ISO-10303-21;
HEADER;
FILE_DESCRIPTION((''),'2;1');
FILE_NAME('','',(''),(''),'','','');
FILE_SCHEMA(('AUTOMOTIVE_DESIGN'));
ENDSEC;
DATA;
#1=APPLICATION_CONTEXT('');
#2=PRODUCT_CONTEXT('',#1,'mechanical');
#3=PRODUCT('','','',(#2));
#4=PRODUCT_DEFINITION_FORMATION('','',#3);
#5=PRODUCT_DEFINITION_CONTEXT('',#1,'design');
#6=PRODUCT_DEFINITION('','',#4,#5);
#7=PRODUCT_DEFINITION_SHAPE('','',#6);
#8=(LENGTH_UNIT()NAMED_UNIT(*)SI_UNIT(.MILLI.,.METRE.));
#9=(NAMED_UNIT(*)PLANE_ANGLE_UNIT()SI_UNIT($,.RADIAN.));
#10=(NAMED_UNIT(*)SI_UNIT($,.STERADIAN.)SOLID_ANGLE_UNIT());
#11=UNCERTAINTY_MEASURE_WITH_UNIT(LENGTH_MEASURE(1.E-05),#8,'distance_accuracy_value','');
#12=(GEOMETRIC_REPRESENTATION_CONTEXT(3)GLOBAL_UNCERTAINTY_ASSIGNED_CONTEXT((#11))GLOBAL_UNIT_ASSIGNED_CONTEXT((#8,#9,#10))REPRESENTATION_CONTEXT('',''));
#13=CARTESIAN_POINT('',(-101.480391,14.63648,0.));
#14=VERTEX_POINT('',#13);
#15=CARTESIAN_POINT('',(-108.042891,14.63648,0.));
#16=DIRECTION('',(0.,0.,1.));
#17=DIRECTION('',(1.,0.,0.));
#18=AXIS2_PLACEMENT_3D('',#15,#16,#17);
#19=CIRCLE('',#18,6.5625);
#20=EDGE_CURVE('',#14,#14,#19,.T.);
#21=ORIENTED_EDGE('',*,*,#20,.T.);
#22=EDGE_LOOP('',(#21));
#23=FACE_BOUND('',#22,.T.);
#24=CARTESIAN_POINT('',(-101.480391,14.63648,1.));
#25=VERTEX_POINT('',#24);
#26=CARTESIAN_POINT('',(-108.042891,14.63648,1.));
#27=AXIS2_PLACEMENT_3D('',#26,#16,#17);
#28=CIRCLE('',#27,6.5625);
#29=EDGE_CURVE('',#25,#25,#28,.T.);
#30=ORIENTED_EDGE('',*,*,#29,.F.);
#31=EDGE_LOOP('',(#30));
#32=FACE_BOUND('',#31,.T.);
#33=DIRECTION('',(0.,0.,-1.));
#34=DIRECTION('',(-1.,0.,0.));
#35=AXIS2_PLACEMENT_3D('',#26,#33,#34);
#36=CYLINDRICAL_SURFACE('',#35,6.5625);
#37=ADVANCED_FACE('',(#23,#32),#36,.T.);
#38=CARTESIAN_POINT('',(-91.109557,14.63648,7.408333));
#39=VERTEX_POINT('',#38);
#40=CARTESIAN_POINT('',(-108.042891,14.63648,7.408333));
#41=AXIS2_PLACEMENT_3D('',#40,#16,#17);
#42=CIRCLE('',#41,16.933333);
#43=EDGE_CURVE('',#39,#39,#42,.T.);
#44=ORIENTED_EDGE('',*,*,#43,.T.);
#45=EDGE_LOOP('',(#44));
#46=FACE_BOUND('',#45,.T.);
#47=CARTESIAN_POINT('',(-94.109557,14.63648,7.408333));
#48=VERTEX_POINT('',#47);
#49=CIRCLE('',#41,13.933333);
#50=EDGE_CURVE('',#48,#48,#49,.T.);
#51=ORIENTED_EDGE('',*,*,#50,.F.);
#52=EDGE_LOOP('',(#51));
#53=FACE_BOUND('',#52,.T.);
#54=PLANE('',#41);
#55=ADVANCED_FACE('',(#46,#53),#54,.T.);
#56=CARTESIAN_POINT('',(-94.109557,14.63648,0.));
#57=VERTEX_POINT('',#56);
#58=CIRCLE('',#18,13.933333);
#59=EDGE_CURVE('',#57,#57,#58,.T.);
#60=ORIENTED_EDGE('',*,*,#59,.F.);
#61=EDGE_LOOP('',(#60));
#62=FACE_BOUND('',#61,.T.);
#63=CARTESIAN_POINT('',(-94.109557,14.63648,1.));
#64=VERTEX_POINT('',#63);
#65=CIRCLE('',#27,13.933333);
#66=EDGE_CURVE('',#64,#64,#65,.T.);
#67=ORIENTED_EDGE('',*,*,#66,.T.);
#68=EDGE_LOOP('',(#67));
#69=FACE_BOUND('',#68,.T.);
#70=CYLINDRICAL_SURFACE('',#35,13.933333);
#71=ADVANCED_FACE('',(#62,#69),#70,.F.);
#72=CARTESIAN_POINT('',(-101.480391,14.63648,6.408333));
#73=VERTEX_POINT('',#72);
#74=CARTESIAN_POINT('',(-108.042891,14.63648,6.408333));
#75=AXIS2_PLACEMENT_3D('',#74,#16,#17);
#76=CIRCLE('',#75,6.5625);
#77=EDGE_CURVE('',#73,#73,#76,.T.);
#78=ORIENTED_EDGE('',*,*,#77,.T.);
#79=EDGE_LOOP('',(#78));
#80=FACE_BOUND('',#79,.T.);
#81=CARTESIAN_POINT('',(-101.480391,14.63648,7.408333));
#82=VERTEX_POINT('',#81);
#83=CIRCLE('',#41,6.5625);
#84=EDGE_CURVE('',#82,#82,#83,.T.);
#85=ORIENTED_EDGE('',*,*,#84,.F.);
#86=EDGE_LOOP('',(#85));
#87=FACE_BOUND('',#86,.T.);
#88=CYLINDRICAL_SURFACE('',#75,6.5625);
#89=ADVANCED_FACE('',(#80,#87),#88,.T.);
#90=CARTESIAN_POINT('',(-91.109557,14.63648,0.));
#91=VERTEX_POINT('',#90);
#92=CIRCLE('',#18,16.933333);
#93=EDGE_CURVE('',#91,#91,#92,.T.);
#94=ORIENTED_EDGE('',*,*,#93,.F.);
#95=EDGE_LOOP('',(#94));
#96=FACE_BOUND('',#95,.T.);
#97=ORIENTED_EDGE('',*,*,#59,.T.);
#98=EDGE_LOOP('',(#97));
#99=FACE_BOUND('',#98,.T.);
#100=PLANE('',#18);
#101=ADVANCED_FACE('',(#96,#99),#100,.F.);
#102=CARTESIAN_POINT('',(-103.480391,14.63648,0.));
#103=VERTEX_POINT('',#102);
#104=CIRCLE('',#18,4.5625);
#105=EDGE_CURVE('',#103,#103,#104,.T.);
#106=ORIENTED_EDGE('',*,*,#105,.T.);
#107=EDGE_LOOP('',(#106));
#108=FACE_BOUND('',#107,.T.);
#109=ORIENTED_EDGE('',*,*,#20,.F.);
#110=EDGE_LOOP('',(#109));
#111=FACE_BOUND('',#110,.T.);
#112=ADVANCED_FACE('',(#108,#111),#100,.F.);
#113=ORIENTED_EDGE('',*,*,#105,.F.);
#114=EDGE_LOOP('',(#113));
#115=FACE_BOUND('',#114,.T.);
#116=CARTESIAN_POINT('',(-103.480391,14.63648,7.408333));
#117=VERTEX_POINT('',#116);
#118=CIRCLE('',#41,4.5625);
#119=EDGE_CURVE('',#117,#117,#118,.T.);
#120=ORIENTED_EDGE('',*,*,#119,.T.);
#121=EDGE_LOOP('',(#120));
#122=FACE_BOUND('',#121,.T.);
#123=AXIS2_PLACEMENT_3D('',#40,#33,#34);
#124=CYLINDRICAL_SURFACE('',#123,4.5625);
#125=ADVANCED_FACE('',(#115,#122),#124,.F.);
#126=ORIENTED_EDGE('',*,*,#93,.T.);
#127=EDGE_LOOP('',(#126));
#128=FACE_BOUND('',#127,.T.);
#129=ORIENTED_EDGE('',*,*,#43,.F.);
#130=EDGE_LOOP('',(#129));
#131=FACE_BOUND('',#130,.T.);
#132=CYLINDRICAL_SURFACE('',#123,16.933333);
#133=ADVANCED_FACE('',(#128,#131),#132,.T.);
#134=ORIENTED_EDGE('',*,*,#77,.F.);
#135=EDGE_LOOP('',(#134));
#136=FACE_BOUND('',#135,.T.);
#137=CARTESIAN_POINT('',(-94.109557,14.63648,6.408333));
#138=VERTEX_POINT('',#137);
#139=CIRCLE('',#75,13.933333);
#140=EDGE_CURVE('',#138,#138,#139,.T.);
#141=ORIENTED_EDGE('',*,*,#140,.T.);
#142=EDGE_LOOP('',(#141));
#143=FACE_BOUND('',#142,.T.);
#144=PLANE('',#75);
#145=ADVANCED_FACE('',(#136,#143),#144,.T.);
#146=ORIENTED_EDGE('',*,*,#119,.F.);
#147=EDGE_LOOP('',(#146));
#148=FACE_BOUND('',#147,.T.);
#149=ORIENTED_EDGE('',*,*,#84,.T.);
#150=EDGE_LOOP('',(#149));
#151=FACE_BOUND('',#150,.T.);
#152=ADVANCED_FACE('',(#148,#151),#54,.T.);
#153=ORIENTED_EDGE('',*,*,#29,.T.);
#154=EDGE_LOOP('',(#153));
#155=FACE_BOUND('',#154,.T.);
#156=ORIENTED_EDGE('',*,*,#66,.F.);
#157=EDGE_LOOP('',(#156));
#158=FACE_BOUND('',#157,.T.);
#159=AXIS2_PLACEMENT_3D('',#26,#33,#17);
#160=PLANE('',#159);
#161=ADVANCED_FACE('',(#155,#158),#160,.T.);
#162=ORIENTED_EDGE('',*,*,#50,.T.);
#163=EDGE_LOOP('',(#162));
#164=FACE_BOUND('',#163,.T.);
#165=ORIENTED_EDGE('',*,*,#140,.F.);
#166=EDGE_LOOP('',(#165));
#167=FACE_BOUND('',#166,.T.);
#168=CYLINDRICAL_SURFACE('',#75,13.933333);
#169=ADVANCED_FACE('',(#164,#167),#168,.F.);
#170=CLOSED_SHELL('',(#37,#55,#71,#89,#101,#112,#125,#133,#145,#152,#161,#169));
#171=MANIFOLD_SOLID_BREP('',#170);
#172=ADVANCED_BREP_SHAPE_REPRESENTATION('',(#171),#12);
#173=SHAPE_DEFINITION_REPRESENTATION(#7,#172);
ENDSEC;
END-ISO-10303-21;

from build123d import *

# Parameters (mm, degrees)
SKETCH1_R           = 16.933333333
SKETCH1_R_2         = 4.5625
BOSS_EXTRUDE1_DEPTH = 7.408333333
SKETCH2_R           = 13.933333333
SKETCH2_R_2         = 6.5625
CUT_EXTRUDE1_DEPTH  = 1


with BuildPart() as part:
    # Sketch1 → Boss-Extrude1 (new body)
    with BuildSketch(Plane.XY):
        with Locations((-108.042890629, 14.636479869)):
            Circle(SKETCH1_R)
        with Locations((-108.042890629, 14.636479869)):
            Circle(SKETCH1_R_2, mode=Mode.SUBTRACT)
    extrude(amount=BOSS_EXTRUDE1_DEPTH)

    # Sketch2 → Cut-Extrude1 (cut)
    with BuildSketch(Plane.XY.offset(7.408333333)):
        with Locations((-108.042890629, 14.636479869)):
            Circle(SKETCH2_R)
        with Locations((-108.042890629, 14.636479869)):
            Circle(SKETCH2_R_2, mode=Mode.SUBTRACT)
    cut_extrude1 = extrude(amount=-CUT_EXTRUDE1_DEPTH, mode=Mode.SUBTRACT)

    # Mirror1: Cut-Extrude1 across plane
    add(cut_extrude1.mirror(Plane.XY.offset(3.704166667)), mode=Mode.SUBTRACT)


solid = part.part
